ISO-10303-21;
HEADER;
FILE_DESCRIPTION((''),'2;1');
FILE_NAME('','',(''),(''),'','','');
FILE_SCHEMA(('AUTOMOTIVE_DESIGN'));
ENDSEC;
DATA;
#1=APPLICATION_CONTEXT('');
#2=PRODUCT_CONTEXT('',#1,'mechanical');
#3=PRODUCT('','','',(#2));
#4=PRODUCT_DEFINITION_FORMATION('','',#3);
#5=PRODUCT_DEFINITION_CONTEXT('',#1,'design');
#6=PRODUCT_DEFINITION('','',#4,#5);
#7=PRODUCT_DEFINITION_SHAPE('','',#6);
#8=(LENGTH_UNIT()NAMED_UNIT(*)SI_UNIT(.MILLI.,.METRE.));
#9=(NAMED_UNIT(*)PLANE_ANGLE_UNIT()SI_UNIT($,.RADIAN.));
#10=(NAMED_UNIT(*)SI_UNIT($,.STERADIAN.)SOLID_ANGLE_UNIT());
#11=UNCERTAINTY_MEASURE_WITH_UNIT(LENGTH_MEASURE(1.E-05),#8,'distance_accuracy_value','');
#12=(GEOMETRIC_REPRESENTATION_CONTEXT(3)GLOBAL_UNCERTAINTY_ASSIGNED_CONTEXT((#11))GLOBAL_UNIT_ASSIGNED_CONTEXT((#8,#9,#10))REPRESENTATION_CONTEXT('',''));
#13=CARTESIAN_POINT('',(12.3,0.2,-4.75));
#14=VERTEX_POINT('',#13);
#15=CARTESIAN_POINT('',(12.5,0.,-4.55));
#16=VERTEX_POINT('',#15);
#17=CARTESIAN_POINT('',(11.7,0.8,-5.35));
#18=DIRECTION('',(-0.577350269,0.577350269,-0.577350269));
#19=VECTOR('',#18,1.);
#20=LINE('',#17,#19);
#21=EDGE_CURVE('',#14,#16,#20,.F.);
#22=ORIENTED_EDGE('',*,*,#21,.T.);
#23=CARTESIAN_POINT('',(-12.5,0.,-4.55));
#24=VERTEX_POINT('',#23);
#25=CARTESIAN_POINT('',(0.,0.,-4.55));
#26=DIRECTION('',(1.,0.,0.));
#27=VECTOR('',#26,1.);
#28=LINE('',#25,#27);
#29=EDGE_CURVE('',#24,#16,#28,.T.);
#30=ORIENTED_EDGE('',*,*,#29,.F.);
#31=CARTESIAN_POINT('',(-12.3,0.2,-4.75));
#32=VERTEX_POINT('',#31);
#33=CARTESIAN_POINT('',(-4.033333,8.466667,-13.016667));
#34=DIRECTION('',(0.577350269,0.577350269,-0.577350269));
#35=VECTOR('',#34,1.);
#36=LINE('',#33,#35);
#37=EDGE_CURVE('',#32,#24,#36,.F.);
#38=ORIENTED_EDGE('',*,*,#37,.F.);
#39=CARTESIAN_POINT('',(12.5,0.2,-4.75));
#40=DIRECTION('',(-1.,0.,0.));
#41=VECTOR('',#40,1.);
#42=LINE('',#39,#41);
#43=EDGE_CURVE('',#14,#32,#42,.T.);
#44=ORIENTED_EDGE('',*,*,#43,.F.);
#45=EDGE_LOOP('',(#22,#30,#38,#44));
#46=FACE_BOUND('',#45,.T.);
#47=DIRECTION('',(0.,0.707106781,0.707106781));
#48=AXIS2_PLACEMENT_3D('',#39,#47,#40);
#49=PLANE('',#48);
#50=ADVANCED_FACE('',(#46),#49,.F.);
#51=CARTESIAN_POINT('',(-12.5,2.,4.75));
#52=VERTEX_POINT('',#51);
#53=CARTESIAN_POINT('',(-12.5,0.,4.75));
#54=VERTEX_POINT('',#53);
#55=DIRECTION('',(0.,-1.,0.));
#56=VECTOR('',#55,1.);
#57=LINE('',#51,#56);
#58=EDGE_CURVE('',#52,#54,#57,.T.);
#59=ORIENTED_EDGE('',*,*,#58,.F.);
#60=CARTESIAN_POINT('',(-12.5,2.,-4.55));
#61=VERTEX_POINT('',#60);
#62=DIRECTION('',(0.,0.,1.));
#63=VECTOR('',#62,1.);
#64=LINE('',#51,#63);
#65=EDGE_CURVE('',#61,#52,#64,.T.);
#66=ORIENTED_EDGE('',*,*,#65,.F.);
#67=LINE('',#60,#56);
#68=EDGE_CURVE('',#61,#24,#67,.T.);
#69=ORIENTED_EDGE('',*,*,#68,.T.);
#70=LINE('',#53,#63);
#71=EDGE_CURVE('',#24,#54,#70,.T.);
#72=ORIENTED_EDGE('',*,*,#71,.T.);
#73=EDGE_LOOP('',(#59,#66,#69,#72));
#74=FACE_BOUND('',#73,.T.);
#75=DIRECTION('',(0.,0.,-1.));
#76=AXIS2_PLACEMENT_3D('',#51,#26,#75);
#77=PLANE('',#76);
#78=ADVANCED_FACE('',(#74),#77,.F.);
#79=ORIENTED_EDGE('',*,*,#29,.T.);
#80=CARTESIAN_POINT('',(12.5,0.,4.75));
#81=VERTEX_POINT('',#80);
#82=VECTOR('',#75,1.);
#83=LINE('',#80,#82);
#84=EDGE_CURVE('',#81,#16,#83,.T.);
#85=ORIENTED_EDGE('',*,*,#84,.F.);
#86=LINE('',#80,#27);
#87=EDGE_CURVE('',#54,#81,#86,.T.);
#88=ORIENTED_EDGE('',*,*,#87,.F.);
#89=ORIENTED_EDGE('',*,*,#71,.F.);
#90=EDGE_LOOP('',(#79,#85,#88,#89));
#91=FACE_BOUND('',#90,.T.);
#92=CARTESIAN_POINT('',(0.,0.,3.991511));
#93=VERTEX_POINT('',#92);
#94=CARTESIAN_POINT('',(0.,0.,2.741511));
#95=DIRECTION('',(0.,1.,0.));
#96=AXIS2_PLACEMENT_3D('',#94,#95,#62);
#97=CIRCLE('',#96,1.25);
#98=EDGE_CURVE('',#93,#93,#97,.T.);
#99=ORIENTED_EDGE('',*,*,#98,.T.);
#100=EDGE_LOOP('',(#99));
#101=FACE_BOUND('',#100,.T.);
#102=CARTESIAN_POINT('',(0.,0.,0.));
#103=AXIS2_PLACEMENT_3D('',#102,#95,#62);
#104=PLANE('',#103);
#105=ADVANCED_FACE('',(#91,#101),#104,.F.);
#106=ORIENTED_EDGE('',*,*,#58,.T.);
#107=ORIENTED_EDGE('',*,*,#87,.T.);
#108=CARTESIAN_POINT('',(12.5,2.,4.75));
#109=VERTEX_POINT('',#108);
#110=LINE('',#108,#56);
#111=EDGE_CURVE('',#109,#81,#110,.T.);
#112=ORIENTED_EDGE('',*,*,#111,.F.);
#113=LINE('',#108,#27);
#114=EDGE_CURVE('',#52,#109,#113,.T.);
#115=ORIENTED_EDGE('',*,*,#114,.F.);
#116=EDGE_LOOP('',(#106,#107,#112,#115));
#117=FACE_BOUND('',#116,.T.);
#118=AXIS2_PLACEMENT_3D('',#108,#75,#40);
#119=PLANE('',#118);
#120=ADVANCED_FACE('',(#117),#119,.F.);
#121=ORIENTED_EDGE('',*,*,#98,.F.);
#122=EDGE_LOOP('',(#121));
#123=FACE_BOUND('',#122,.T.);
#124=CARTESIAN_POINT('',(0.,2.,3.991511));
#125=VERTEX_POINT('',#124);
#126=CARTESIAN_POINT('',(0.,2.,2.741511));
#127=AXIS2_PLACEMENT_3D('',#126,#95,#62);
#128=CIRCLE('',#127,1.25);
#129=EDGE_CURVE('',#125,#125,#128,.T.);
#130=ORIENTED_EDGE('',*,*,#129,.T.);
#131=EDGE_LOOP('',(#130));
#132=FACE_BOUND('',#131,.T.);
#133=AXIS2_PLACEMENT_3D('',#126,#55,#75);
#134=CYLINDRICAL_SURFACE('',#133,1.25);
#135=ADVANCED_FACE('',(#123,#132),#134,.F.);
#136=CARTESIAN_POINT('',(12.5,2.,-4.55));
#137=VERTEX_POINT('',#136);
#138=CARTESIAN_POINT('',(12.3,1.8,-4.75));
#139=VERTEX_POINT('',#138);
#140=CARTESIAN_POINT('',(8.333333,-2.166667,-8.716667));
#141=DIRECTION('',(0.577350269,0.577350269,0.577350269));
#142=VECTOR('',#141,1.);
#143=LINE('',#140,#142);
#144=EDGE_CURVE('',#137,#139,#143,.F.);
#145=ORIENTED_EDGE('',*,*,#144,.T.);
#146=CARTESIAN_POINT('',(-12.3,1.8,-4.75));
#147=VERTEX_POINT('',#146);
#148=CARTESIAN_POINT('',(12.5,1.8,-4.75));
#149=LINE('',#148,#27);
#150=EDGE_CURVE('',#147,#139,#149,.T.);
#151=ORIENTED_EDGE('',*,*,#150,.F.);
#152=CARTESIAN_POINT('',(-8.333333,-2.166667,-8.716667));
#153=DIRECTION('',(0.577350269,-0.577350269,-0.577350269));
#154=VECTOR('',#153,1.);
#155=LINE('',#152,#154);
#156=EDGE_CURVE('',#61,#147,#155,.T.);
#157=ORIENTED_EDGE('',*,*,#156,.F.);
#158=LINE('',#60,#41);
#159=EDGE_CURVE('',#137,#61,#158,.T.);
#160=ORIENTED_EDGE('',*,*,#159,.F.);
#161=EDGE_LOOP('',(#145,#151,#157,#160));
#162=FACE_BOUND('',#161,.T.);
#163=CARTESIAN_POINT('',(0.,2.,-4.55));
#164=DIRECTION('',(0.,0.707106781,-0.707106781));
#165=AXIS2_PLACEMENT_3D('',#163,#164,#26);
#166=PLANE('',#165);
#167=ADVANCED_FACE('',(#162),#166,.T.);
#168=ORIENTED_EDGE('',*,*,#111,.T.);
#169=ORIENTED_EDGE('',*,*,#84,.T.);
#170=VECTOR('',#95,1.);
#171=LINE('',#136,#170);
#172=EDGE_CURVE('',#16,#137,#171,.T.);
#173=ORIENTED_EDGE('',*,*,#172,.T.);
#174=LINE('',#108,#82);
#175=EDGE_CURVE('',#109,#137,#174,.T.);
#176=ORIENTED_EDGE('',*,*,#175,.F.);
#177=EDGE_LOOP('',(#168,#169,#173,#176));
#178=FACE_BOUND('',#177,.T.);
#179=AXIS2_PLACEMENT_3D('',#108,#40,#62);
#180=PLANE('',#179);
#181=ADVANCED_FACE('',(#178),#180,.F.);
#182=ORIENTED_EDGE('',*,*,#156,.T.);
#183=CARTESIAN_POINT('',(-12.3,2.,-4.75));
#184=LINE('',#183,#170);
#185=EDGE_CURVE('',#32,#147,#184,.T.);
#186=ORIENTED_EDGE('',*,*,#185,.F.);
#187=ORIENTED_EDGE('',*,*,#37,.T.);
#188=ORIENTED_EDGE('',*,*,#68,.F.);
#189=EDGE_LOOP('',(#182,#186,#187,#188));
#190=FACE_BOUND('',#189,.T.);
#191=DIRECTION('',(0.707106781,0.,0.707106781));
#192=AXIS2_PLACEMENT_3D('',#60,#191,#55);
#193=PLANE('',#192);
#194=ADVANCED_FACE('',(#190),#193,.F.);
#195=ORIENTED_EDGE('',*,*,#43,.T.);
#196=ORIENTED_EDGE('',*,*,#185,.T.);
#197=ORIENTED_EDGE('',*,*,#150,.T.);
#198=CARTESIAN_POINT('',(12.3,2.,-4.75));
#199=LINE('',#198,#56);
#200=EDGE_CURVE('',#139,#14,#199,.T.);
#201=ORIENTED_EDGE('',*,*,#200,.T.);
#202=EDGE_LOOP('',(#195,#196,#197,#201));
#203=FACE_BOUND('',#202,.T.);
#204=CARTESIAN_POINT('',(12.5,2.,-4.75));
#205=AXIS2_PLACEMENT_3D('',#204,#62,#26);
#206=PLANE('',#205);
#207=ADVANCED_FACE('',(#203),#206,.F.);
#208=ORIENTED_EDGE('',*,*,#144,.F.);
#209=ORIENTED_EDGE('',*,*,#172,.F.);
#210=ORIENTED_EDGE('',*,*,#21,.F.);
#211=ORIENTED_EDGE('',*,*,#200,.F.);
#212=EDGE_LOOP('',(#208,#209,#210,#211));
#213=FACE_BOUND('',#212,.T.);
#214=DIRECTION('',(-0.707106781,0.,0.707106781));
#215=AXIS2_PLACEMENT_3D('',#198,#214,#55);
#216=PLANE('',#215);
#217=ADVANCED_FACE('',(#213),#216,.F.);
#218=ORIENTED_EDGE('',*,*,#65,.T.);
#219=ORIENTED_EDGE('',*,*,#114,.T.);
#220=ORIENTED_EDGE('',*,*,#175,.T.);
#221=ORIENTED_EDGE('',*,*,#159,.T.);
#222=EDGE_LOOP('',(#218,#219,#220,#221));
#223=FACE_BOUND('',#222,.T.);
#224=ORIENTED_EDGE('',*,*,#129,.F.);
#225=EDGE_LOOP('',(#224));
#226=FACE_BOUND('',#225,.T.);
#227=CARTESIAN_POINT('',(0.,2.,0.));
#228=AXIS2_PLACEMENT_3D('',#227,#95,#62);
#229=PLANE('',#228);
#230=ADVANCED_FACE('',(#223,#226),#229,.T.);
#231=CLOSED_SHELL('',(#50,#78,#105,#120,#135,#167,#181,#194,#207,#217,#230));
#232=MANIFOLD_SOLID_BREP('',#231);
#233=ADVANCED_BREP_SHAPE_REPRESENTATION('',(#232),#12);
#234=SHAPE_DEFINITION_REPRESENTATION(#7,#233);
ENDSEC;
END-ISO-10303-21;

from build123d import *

# Parameters (mm, degrees)
SKETCH1_W           = 25
SKETCH1_H           = 9.5
SKETCH1_R           = 1.25
BOSS_EXTRUDE1_DEPTH = 2
CHAMFER1_SIZE       = 0.2


with BuildPart() as part:
    # Sketch1 → Boss-Extrude1 (new body)
    with BuildSketch(Plane(origin=(0, 0, 0), x_dir=(1, 0, 0), z_dir=(0, 1, 0))):
        Rectangle(SKETCH1_W, SKETCH1_H)
        with Locations(Location((0, -2.741510653, 0), (0, 0, 270))):
            Circle(SKETCH1_R, mode=Mode.SUBTRACT)
    extrude(amount=BOSS_EXTRUDE1_DEPTH)

    # Chamfer1
    chamfer1_edges = [part.edges().sort_by_distance(p)[0] for p in [
        (0, 2, -4.75),
        (0, 0, -4.75),
        (-12.5, 1, -4.75),
        (12.5, 1, -4.75),
    ]]
    chamfer(chamfer1_edges, length=CHAMFER1_SIZE)


solid = part.part
